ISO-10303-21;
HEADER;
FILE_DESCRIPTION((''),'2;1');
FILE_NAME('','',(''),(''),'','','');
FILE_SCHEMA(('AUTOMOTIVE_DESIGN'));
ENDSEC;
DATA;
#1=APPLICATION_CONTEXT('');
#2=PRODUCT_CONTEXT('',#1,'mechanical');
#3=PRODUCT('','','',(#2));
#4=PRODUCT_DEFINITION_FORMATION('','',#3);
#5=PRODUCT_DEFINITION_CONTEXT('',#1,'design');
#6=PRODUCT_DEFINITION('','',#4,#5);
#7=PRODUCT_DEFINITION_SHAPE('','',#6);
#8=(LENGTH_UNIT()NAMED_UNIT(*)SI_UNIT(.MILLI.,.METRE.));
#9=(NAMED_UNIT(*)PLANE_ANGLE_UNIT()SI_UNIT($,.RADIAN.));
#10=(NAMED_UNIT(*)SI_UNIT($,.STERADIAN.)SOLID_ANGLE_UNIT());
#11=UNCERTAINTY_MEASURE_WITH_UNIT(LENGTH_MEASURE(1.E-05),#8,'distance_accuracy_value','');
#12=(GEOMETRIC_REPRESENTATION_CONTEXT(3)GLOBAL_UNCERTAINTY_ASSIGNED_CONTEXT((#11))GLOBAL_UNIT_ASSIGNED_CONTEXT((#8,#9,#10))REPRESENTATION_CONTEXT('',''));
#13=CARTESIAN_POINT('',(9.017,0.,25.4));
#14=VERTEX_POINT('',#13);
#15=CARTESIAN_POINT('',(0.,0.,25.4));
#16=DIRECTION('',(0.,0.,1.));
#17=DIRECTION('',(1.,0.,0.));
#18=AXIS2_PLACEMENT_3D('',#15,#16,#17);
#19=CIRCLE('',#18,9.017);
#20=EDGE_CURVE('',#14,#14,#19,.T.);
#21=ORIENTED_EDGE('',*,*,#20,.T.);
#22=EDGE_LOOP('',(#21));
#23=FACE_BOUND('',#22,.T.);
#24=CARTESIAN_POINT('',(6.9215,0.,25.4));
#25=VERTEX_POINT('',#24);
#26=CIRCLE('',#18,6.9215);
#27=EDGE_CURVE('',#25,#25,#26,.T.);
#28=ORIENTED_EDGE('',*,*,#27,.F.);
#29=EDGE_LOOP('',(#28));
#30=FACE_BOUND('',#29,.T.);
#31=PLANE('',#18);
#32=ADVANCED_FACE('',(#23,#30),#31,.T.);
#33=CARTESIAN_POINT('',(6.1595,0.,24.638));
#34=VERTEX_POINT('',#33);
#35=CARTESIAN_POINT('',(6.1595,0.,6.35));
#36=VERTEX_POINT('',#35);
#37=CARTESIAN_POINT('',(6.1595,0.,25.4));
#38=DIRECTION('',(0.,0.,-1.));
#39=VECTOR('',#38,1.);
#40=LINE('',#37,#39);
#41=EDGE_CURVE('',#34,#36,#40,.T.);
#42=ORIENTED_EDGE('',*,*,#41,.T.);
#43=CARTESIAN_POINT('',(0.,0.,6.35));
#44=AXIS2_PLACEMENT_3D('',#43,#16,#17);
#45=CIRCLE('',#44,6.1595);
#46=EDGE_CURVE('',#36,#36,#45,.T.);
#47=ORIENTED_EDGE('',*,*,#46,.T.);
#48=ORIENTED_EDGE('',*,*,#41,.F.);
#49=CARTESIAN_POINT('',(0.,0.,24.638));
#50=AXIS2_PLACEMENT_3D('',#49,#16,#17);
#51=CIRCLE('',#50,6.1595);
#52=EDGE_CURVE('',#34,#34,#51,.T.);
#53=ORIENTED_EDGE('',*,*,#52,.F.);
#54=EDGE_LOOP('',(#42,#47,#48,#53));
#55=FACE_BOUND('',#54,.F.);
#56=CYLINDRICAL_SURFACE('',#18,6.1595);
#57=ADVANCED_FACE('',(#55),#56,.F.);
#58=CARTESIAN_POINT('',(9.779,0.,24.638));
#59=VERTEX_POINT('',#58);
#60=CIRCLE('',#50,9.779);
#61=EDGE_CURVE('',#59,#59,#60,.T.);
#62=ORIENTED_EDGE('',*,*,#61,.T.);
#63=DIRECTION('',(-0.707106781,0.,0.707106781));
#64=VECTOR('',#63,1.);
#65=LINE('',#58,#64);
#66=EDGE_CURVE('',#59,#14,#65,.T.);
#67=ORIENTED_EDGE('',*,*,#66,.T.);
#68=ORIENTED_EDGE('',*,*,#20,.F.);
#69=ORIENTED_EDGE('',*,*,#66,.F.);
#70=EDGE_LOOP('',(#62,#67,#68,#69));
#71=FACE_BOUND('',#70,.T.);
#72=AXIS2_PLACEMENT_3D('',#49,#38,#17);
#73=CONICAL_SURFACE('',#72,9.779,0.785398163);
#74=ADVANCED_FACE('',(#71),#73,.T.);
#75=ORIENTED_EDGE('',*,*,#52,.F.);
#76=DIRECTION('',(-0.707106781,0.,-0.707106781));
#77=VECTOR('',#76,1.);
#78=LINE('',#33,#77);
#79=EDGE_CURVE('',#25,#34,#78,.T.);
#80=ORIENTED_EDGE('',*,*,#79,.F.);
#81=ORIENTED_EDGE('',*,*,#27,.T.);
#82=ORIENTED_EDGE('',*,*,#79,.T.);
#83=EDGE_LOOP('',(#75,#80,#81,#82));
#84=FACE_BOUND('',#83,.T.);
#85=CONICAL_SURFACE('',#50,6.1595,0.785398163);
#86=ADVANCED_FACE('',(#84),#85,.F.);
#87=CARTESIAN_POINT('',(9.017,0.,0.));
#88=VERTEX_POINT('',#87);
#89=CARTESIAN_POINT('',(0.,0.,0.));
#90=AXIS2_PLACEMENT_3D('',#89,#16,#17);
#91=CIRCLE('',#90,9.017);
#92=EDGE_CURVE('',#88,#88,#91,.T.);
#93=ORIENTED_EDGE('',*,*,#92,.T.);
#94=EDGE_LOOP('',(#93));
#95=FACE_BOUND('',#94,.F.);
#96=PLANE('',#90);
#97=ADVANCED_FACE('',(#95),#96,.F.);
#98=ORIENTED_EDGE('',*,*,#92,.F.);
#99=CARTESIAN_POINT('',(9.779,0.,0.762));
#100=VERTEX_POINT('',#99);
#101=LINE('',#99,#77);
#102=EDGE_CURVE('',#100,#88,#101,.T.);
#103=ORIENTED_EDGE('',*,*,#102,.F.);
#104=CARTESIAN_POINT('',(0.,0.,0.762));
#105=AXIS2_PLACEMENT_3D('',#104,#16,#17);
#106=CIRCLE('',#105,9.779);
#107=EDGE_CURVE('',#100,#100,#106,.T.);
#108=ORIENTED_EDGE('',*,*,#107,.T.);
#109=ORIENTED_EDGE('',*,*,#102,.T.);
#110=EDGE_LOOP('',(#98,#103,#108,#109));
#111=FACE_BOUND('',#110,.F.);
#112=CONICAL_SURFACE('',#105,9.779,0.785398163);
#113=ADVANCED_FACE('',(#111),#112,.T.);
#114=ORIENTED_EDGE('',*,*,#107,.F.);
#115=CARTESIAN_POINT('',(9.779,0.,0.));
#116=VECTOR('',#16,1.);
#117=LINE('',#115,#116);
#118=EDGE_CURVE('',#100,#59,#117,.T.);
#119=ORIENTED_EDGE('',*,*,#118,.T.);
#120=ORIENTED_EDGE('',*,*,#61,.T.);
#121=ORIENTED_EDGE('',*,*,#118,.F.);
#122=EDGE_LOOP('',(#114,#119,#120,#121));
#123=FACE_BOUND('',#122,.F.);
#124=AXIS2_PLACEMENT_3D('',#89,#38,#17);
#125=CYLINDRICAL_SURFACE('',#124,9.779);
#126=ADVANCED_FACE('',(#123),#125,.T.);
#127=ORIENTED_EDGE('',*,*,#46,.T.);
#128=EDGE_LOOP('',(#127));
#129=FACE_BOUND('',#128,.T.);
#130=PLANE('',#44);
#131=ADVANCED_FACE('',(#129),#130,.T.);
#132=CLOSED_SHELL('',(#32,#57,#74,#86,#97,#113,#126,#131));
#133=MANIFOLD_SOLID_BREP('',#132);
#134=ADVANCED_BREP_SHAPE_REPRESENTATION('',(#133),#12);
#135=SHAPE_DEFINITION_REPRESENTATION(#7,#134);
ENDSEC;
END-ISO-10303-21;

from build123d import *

# Parameters (mm, degrees)
F0_R     = 9.779
F1_DEPTH = 25.4
F2_SIZE  = 0.762
F3_R     = 6.1595
F4_DEPTH = 19.05
F5_SIZE  = 0.762


with BuildPart() as f1:
    # F0 (on Top) → F1 (new body)
    with BuildSketch(Plane.XY):
        Circle(F0_R)
    extrude(amount=F1_DEPTH)

    # F2
    f2_edges = [f1.edges().sort_by_distance(p)[0] for p in [
        (-9.779, 0, 0),
    ]]
    chamfer(f2_edges, length=F2_SIZE)

    # F3 (on face) → F4 (cut)
    with BuildSketch(Plane.XY.offset(25.4)):
        Circle(F3_R)
    extrude(amount=-F4_DEPTH, mode=Mode.SUBTRACT)

    # F5
    f5_edges = [f1.edges().sort_by_distance(p)[0] for p in [
        (-9.779, 0, 25.4),
        (-6.1595, 0, 25.4),
    ]]
    chamfer(f5_edges, length=F5_SIZE)


solid = f1.part
